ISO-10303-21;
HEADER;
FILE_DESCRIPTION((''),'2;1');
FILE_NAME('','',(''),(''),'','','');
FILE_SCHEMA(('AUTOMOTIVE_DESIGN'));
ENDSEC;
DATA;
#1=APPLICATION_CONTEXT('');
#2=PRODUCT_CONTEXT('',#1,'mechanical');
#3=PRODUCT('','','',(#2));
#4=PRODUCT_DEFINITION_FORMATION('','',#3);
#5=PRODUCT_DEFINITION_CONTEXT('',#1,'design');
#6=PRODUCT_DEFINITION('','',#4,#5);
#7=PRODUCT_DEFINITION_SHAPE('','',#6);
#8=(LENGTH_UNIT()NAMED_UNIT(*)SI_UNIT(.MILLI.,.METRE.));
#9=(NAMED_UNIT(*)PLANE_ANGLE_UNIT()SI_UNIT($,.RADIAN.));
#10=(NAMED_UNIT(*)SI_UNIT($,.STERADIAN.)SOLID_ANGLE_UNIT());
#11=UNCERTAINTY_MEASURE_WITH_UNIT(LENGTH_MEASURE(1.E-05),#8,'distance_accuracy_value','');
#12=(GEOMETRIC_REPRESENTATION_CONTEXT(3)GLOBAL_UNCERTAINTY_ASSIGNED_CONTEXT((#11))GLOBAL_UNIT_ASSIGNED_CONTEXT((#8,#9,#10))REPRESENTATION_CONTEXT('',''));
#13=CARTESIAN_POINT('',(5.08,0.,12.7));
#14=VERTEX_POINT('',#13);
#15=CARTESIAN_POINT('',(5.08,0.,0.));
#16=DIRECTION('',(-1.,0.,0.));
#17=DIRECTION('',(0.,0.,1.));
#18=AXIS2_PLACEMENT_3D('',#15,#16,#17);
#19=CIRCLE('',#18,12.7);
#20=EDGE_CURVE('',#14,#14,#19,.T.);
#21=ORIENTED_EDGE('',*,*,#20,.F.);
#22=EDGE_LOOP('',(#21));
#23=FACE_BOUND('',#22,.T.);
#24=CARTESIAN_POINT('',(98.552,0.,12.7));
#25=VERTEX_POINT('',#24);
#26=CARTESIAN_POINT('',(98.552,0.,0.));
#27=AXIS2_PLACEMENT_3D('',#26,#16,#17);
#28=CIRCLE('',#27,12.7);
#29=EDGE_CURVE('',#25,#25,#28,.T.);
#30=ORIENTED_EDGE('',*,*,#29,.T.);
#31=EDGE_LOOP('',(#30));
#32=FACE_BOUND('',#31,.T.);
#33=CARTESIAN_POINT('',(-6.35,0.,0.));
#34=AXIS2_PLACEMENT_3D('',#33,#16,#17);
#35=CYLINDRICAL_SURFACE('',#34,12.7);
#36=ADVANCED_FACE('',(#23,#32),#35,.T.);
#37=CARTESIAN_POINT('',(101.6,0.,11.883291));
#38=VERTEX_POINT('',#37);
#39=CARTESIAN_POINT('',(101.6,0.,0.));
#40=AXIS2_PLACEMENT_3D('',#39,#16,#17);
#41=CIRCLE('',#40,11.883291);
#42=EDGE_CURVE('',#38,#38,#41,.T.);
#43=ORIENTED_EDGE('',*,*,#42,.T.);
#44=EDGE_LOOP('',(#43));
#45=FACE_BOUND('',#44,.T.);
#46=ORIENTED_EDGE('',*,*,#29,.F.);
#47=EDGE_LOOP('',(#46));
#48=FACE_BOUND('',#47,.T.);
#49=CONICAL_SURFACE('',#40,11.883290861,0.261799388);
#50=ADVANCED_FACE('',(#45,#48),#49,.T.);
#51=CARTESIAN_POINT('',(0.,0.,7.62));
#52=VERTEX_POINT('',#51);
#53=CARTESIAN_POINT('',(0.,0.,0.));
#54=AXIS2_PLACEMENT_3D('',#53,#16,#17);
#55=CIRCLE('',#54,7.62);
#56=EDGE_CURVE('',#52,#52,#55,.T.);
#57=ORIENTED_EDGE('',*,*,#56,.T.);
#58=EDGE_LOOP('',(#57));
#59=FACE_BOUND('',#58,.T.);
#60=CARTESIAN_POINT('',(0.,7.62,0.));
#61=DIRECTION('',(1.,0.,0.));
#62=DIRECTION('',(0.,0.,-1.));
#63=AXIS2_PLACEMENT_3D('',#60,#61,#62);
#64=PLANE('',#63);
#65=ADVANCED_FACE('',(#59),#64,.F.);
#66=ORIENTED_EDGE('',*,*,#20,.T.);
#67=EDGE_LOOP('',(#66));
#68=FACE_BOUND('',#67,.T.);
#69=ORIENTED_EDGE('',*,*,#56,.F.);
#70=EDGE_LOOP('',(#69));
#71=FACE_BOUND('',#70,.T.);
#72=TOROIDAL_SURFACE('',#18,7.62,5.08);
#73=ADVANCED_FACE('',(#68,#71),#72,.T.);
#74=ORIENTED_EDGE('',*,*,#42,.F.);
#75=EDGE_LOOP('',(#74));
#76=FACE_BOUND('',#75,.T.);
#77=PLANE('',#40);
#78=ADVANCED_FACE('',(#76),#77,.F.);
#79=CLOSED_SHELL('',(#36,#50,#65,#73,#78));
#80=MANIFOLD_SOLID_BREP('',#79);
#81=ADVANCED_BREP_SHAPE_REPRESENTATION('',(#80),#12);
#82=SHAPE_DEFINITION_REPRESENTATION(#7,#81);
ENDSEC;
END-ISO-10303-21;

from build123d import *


with BuildPart() as part:
    # Sketch1 → Base-Revolve (revolve)
    with BuildSketch(Plane.XY, mode=Mode.PRIVATE) as base_revolve_sk:
        with BuildLine():
            Line((0, 0), (101.6, 0))
            Line((101.6, 0), (101.6, 11.883290861))
            Line((101.6, 11.883290861), (98.552, 12.7))
            Line((98.552, 12.7), (5.08, 12.7))
            ThreePointArc((5.08, 12.7), (1.487897552, 11.212102448), (0, 7.62))
            Line((0, 7.62), (0, 0))
        make_face()
    revolve(base_revolve_sk.sketch.rotate(Axis((-6.35, 0, 0), (1, 0, 0)), 90), axis=Axis((-6.35, 0, 0), (1, 0, 0)))


solid = part.part
